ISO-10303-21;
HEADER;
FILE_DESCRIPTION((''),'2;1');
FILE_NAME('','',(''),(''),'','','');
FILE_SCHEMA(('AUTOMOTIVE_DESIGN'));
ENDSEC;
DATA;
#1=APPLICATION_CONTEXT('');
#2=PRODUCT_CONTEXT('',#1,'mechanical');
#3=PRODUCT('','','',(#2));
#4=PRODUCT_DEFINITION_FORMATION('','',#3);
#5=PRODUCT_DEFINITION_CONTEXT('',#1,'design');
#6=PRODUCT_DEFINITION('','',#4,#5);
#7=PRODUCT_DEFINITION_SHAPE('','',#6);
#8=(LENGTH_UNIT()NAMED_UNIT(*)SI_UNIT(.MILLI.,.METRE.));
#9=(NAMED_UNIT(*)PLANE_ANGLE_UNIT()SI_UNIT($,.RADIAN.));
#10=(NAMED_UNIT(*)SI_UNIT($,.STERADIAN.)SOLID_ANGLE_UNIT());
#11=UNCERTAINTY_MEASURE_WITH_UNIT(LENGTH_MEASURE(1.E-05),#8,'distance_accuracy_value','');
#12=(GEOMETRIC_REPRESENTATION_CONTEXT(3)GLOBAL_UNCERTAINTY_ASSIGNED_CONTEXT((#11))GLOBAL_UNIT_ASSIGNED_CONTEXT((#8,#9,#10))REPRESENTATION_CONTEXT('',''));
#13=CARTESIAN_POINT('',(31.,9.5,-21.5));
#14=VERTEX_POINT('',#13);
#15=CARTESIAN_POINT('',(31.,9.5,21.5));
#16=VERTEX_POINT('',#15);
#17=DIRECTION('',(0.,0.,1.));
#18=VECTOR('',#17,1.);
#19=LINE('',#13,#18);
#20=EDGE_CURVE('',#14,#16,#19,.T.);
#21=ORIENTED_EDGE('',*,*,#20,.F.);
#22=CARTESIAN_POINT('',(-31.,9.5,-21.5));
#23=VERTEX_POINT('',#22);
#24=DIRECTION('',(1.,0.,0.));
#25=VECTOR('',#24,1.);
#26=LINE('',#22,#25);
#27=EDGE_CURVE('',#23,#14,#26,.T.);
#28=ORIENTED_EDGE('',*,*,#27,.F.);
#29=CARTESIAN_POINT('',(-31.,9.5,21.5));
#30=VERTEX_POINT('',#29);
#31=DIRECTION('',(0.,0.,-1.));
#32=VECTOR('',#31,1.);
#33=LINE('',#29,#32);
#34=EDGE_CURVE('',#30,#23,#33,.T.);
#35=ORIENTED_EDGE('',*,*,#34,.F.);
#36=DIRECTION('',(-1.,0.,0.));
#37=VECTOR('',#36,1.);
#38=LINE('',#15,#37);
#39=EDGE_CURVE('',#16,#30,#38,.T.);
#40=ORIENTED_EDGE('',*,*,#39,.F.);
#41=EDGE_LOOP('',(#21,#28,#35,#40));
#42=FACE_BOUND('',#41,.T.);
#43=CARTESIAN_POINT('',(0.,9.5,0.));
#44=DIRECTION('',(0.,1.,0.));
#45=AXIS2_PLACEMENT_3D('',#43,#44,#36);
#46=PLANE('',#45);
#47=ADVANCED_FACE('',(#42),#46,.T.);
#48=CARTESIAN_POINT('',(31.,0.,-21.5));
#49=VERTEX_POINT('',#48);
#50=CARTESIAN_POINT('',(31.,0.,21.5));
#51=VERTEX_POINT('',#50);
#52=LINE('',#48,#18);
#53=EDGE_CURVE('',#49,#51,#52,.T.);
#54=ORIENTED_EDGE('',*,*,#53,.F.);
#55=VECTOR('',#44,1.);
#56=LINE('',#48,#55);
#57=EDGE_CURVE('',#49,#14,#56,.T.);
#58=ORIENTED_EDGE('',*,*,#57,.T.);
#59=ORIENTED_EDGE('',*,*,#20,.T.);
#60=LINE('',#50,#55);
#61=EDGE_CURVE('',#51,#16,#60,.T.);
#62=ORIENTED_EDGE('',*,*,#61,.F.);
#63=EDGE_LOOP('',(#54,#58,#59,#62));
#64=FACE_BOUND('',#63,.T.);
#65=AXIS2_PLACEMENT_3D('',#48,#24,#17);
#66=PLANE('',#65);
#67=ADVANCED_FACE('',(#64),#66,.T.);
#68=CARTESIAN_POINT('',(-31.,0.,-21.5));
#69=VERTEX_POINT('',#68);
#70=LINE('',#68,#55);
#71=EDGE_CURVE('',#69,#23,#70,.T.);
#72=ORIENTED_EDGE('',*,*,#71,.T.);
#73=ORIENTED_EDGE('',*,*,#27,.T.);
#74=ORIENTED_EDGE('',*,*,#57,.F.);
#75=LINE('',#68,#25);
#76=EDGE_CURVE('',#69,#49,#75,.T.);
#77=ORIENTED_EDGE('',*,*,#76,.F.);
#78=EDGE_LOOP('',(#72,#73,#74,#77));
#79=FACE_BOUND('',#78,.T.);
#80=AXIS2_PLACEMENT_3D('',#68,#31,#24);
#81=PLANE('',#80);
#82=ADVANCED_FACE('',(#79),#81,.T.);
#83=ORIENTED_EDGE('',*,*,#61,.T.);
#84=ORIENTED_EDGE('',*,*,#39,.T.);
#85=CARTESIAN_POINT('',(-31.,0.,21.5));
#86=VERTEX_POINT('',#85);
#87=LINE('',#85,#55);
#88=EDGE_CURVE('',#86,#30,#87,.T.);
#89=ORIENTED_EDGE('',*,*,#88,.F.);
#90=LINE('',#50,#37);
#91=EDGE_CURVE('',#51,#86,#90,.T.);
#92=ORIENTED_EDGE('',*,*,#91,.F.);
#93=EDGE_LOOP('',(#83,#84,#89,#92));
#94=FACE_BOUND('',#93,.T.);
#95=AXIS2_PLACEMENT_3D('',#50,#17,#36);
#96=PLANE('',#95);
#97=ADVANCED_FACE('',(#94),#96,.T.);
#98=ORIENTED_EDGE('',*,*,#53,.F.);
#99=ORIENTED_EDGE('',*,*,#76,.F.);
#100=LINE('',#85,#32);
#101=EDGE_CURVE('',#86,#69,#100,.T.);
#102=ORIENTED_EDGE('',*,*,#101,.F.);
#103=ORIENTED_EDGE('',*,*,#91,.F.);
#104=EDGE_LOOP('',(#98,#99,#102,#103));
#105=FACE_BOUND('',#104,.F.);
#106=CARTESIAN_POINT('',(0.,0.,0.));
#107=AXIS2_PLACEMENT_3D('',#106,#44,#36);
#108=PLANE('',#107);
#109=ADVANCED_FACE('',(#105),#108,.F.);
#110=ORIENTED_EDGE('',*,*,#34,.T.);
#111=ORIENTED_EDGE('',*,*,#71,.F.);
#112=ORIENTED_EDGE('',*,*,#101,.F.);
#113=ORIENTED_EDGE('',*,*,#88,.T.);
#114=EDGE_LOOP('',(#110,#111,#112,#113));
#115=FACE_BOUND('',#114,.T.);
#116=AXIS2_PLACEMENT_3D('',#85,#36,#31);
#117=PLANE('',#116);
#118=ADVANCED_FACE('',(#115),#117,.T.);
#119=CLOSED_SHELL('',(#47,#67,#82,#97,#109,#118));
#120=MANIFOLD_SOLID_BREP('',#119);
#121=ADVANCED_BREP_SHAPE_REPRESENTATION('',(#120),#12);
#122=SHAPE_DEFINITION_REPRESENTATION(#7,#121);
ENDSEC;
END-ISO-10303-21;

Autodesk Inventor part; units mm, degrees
ref_plane "YZ Plane" through (0, 0, 0) normal (1, 0, 0) x (0, 1, 0)
ref_plane "XZ Plane" through (0, 0, 0) normal (0, 1, 0) x (-1, 0, 0)
ref_plane "XY Plane" through (0, 0, 0) normal (0, 0, 1) x (1, 0, 0)
sketch "Esquisse1" plane through (0, 0, 0) normal (0, 1, 0) x (-1, 0, 0)
  line L0 (-31, 21.5) -> (31, 21.5)
  line L1 (31, 21.5) -> (31, -21.5)
  line L2 (31, -21.5) -> (-31, -21.5)
  line L3 (-31, -21.5) -> (-31, 21.5)
  point P0 (0, 0)
  dimension "d0" = 43
  dimension "d1" = 62
  dimension "d2" = 31
  dimension "d3" = 21.5
extrude "Extrusion1" add sketch "Esquisse1" along normal blind 9.5
equation "\"d2\" = 0.5 * d1"
equation "\"d3\" = 0.5 * d0"
properties part number "974356-2100-20C"
